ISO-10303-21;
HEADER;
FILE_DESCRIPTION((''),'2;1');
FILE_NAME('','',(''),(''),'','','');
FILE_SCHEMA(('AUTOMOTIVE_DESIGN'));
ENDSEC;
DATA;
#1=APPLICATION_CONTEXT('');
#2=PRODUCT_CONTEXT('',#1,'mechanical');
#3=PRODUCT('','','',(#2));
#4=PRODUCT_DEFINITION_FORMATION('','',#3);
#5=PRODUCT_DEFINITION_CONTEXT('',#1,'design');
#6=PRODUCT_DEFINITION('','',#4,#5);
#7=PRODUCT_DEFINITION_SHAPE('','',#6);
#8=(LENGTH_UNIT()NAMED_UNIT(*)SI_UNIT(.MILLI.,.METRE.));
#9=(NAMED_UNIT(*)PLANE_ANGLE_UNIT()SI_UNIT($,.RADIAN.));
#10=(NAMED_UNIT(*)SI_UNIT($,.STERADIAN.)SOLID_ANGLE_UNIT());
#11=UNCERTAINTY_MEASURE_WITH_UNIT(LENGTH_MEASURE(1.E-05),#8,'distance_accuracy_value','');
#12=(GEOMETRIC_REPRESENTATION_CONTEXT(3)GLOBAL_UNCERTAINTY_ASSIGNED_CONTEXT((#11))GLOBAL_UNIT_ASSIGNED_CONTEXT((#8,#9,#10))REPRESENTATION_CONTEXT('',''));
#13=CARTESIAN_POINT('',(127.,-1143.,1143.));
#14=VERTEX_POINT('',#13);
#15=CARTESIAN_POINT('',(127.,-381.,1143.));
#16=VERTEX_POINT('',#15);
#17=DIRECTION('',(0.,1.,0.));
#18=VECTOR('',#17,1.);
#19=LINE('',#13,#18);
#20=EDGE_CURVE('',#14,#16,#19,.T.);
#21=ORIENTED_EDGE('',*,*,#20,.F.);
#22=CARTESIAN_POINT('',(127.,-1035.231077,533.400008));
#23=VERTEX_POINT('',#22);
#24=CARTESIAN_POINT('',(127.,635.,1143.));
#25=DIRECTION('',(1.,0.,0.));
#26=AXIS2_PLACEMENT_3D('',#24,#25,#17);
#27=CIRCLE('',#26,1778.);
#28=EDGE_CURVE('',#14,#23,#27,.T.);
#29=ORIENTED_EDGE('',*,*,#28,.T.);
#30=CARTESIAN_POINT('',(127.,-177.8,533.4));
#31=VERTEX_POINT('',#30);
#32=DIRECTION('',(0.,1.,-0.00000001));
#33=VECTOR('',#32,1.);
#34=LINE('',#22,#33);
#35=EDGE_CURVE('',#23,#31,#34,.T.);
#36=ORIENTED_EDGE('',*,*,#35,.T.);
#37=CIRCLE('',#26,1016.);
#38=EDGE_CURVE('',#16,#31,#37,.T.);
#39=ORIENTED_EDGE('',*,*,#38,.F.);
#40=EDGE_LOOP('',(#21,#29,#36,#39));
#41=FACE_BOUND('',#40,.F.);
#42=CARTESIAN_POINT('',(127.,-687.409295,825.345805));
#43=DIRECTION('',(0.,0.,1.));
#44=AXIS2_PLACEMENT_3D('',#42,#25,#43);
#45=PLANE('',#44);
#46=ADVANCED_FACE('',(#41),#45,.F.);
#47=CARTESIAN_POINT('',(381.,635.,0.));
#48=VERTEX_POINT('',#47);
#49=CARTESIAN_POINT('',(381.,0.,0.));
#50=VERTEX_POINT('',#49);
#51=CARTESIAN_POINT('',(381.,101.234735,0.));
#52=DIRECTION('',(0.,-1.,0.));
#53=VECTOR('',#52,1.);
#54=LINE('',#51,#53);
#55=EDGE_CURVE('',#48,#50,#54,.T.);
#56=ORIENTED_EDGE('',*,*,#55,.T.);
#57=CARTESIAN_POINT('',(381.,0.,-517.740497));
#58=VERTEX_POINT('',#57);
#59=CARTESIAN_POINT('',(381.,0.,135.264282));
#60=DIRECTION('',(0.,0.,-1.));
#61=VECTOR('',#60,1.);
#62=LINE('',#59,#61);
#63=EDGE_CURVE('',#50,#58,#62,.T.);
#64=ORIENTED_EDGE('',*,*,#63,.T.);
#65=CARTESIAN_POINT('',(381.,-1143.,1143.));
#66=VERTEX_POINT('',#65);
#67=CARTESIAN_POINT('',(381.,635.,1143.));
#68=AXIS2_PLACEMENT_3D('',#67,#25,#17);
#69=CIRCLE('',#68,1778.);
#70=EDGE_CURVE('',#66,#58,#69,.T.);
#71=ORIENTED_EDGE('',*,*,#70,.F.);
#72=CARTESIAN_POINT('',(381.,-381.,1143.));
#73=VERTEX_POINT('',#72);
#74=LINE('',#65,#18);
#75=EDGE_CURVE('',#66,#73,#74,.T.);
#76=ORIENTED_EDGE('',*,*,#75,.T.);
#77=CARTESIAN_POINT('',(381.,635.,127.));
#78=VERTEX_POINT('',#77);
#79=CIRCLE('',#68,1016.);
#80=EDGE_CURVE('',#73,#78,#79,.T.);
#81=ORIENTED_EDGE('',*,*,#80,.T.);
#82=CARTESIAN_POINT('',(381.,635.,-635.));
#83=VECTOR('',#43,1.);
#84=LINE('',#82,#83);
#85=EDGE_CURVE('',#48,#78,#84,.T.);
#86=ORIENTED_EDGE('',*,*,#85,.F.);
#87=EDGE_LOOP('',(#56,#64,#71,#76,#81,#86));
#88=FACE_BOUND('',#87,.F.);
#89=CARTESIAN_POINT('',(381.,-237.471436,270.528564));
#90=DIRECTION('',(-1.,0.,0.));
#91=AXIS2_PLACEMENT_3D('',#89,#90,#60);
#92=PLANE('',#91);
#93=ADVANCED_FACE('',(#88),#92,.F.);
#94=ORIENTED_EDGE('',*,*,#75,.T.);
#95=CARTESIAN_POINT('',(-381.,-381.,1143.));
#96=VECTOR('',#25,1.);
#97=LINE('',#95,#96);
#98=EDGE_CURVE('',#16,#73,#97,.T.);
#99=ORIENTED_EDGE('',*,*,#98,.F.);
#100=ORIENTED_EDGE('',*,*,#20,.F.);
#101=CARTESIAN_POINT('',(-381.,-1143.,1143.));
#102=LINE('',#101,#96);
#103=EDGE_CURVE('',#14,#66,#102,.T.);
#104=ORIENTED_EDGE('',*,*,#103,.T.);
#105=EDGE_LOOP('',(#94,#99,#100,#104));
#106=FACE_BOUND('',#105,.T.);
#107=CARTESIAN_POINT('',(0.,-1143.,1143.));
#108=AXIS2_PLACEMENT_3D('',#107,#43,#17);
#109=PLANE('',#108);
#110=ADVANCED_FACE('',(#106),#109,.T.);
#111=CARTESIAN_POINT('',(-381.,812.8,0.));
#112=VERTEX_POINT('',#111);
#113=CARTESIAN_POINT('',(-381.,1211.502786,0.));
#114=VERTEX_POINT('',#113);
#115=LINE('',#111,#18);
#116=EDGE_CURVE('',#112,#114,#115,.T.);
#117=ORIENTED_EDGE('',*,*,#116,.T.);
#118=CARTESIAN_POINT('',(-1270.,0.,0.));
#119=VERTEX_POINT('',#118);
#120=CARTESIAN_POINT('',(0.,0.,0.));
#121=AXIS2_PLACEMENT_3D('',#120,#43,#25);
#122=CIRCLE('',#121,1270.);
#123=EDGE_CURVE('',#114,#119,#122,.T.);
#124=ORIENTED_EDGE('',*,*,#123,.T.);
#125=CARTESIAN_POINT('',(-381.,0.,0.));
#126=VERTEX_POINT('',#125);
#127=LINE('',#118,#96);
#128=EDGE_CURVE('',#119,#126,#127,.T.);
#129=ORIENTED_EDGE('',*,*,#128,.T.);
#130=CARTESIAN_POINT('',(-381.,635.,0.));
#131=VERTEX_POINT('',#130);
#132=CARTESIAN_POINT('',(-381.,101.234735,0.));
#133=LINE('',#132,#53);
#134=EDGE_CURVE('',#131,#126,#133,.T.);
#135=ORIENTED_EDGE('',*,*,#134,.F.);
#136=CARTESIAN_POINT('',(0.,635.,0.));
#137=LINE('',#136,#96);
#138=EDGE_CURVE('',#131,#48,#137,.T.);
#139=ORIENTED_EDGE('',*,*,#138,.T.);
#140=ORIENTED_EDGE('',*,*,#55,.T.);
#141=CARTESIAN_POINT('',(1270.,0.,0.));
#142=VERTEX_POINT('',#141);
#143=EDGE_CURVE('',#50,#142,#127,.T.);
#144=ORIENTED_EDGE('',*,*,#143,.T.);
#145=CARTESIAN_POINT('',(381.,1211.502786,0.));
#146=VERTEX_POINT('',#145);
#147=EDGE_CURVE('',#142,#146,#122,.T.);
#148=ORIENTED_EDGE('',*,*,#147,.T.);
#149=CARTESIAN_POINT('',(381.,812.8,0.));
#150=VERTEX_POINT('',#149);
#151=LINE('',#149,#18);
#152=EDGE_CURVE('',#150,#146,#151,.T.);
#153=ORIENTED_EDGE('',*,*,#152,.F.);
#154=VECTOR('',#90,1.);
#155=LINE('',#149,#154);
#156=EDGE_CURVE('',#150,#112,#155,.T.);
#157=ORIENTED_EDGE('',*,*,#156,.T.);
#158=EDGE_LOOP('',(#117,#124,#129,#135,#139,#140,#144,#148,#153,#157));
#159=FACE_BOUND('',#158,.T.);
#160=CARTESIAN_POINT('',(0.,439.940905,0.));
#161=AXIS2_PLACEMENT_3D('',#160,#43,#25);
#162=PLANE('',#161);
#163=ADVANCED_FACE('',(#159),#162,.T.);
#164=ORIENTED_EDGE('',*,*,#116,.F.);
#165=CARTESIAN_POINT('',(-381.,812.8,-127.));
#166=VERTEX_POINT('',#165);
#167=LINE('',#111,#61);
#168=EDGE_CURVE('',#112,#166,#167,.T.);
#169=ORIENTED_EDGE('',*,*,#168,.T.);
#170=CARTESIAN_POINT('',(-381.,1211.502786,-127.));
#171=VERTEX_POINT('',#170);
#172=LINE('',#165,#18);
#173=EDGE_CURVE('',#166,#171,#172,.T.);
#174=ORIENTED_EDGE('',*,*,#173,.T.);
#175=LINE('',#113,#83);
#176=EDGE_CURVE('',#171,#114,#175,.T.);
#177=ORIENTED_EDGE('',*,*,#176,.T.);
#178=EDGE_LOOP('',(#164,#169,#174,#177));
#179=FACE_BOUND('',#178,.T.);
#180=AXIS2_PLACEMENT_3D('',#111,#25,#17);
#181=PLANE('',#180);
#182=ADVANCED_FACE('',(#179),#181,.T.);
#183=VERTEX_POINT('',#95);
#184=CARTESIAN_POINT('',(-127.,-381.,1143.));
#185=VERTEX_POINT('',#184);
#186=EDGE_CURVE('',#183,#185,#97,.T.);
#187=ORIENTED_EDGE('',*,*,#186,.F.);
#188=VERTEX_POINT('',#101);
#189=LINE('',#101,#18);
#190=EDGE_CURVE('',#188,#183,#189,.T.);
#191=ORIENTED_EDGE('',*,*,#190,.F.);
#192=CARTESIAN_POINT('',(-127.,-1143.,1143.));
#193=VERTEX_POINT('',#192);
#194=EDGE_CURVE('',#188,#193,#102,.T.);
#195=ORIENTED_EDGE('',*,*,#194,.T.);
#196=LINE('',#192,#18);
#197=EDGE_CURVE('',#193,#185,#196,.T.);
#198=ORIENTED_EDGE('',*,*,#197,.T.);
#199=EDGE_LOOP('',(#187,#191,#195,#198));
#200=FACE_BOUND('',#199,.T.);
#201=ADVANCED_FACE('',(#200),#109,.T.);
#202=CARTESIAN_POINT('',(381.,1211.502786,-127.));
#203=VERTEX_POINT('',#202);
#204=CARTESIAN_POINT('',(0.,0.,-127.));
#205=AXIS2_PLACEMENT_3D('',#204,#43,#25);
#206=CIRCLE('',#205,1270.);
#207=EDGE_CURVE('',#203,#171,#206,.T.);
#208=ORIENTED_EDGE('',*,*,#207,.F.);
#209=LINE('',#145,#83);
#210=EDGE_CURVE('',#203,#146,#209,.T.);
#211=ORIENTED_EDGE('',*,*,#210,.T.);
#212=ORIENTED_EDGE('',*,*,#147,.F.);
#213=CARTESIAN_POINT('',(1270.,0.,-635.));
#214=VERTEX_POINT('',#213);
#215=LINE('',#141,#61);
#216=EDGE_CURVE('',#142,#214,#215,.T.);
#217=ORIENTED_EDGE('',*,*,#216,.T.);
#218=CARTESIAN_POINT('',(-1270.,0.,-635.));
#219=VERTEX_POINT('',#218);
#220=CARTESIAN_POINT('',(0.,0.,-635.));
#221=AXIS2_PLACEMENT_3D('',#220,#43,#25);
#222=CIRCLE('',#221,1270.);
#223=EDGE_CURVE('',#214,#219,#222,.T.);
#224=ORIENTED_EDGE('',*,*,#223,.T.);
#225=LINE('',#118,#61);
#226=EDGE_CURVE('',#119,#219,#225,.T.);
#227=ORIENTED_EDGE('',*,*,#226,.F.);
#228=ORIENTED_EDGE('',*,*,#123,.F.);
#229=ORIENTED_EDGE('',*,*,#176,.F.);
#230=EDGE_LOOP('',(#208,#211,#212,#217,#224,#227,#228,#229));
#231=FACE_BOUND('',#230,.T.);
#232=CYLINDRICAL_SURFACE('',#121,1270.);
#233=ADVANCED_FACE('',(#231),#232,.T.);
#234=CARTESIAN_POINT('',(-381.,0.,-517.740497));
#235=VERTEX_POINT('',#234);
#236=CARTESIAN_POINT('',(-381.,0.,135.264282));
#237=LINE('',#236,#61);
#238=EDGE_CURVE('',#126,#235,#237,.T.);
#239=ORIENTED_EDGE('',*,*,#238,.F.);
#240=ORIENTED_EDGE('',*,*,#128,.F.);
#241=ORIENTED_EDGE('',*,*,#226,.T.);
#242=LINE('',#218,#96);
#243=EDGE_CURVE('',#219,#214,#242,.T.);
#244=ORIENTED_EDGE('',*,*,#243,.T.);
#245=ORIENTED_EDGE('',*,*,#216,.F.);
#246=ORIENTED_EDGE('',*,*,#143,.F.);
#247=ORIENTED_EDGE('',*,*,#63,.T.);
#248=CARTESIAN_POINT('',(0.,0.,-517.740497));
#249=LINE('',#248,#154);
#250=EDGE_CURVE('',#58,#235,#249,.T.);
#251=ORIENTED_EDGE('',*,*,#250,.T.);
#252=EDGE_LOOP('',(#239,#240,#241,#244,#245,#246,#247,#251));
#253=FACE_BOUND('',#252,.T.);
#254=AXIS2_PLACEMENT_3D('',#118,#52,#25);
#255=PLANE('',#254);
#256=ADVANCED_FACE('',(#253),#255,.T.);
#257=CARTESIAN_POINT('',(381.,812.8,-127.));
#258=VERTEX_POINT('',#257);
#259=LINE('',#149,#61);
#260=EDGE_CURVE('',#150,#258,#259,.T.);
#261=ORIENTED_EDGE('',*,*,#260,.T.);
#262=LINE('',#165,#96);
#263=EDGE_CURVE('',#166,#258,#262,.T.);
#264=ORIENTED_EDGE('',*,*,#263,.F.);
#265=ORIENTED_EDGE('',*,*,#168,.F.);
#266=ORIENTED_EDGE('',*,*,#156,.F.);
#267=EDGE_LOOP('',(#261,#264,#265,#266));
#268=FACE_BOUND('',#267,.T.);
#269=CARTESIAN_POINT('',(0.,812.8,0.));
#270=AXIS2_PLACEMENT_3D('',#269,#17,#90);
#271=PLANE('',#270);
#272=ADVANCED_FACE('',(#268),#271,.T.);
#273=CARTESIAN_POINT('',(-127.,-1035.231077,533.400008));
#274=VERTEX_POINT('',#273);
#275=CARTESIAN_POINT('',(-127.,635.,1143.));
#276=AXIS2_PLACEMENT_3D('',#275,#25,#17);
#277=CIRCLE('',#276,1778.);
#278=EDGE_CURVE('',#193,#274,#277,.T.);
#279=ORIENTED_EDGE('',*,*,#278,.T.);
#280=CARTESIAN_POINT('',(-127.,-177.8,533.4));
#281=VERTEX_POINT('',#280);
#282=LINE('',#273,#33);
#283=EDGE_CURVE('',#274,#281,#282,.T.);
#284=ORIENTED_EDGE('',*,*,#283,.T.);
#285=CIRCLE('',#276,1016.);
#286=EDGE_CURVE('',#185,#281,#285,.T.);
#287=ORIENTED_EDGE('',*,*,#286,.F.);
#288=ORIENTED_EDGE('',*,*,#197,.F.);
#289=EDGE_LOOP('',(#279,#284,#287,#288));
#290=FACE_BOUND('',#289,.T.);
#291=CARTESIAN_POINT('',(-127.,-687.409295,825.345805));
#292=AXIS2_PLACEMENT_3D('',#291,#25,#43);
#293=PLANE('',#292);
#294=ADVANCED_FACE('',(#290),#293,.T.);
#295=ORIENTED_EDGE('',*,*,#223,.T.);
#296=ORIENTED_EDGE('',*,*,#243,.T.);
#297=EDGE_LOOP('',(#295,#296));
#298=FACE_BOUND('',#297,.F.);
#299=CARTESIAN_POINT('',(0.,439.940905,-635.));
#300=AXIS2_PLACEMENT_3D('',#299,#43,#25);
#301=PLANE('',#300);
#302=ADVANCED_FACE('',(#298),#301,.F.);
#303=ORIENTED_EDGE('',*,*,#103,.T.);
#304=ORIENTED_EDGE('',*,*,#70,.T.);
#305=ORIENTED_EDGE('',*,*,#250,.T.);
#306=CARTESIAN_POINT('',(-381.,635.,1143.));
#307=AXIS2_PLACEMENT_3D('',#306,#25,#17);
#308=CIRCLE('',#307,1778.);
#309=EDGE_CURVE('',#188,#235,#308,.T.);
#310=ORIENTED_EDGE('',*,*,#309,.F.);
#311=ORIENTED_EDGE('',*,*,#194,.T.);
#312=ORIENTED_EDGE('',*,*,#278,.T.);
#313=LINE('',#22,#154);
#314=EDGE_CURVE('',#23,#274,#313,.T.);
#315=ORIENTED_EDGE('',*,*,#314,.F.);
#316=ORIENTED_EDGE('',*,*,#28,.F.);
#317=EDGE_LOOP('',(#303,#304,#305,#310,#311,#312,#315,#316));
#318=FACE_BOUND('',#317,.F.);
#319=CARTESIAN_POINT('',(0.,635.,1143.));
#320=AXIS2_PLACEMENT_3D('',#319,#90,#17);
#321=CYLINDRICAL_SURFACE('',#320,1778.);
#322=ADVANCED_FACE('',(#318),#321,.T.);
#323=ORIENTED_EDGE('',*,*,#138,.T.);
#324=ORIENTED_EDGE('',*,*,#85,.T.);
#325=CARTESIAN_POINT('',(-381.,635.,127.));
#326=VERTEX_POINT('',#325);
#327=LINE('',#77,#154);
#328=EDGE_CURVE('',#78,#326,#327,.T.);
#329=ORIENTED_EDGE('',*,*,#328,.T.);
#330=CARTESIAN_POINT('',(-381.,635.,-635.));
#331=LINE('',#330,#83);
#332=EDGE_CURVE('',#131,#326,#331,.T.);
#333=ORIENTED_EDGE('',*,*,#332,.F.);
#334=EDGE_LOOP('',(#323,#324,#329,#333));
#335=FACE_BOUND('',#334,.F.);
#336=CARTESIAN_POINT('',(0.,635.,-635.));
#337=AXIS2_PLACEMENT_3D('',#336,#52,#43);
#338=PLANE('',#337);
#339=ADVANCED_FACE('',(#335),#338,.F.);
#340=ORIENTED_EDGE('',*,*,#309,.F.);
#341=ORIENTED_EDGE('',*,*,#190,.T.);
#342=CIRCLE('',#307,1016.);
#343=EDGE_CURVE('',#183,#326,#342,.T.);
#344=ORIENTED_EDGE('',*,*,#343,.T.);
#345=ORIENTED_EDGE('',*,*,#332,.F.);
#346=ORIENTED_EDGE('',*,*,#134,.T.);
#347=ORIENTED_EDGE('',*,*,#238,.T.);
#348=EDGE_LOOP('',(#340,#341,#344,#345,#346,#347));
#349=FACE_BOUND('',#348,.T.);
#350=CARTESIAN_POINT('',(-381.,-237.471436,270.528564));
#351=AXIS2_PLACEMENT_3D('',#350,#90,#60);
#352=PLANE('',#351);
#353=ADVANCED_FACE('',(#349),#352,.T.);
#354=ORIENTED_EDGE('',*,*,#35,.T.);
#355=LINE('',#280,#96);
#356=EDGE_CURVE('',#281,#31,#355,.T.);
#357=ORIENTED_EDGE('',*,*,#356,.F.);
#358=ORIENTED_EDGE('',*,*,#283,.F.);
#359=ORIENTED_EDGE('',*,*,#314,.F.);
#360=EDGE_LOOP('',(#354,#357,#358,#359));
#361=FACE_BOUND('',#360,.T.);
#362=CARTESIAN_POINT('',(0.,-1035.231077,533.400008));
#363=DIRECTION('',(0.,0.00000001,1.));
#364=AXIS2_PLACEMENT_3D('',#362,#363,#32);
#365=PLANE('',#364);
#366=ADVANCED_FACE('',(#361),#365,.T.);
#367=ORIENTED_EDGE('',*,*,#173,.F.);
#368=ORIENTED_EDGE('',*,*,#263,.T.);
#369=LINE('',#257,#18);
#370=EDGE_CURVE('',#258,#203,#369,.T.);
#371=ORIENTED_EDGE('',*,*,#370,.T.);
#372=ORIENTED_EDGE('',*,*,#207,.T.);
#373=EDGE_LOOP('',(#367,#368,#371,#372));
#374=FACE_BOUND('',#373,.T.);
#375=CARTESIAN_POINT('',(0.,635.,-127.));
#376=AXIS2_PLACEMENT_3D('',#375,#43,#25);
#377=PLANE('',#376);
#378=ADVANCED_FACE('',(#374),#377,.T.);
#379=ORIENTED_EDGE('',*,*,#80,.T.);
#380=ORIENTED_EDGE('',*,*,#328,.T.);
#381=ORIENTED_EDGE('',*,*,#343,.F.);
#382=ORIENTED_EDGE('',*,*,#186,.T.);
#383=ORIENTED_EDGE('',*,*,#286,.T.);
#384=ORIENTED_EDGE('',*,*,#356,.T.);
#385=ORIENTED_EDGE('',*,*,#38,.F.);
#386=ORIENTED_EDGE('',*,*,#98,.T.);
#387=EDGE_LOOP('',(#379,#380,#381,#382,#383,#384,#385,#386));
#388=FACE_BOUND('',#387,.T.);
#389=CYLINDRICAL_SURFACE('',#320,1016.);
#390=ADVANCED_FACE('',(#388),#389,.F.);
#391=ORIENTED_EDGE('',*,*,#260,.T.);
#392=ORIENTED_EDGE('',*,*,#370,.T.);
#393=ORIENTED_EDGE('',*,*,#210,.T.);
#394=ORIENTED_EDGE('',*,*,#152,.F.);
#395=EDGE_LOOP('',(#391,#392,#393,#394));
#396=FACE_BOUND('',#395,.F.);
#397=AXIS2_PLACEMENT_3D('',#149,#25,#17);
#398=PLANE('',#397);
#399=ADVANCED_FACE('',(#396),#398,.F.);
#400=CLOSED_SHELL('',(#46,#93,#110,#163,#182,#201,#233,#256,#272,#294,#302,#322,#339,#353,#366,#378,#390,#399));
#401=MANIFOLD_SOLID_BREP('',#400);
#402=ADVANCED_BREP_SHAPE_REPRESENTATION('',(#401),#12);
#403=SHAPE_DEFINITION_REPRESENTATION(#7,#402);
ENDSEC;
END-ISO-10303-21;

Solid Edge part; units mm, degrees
sketch "Sketch1" plane through (0, 0, 0) normal (0, 0, 1) x (1, 0, 0)
  arc A0 (1270, 0) -> (-1270, 0) centre (0, 0) ccw
  line L0 (-1270, 0) -> (1270, 0)
extrude "Protrusion1" add sketch "Sketch1" against normal blind 635
sketch "Sketch2" plane through (0, 0, 0) normal (1, 0, 0) x (0, 1, 0)
  arc A0 (-381, 1143) -> (635, 127) centre (635, 1143) ccw
  line L0 (635, -635) -> (635, 127)
  arc A1 (-1143, 1143) -> (635, -635) centre (635, 1143) ccw
  line L1 (-1143, 1143) -> (-381, 1143)
extrude "ExtrudedProtrusion_2" add sketch "Sketch2" along normal mid plane 762
sketch "Sketch3" plane through (0, 0, 0) normal (1, 0, 0) x (0, 1, 0)
  line L0 (-1035.2311, 533.4) -> (-177.8, 533.4)
  arc A0 (-381, 1143) -> (-177.8, 533.4) centre (635, 1143) ccw
  line L1 (-1143, 1143) -> (-381, 1143)
  arc A1 (-1143, 1143) -> (-1035.2311, 533.4) centre (635, 1143) ccw
extrude "ExtrudedCutout_1" cut sketch "Sketch3" along normal mid plane 254
sketch "Sketch4" plane through (0, 635, 0) normal (0, 0, 1) x (0, 1, 0)
  line L0 (177.8, -381) -> (576.5028, -381)
  line L1 (177.8, 0) -> (177.8, -381)
  line L2 (177.8, 0) -> (177.8, 381)
  line L3 (177.8, 381) -> (576.5028, 381)
extrude "Cutout1" cut sketch "Sketch4" against normal blind 127 material side at (380.95, 1012.1514, 0)
